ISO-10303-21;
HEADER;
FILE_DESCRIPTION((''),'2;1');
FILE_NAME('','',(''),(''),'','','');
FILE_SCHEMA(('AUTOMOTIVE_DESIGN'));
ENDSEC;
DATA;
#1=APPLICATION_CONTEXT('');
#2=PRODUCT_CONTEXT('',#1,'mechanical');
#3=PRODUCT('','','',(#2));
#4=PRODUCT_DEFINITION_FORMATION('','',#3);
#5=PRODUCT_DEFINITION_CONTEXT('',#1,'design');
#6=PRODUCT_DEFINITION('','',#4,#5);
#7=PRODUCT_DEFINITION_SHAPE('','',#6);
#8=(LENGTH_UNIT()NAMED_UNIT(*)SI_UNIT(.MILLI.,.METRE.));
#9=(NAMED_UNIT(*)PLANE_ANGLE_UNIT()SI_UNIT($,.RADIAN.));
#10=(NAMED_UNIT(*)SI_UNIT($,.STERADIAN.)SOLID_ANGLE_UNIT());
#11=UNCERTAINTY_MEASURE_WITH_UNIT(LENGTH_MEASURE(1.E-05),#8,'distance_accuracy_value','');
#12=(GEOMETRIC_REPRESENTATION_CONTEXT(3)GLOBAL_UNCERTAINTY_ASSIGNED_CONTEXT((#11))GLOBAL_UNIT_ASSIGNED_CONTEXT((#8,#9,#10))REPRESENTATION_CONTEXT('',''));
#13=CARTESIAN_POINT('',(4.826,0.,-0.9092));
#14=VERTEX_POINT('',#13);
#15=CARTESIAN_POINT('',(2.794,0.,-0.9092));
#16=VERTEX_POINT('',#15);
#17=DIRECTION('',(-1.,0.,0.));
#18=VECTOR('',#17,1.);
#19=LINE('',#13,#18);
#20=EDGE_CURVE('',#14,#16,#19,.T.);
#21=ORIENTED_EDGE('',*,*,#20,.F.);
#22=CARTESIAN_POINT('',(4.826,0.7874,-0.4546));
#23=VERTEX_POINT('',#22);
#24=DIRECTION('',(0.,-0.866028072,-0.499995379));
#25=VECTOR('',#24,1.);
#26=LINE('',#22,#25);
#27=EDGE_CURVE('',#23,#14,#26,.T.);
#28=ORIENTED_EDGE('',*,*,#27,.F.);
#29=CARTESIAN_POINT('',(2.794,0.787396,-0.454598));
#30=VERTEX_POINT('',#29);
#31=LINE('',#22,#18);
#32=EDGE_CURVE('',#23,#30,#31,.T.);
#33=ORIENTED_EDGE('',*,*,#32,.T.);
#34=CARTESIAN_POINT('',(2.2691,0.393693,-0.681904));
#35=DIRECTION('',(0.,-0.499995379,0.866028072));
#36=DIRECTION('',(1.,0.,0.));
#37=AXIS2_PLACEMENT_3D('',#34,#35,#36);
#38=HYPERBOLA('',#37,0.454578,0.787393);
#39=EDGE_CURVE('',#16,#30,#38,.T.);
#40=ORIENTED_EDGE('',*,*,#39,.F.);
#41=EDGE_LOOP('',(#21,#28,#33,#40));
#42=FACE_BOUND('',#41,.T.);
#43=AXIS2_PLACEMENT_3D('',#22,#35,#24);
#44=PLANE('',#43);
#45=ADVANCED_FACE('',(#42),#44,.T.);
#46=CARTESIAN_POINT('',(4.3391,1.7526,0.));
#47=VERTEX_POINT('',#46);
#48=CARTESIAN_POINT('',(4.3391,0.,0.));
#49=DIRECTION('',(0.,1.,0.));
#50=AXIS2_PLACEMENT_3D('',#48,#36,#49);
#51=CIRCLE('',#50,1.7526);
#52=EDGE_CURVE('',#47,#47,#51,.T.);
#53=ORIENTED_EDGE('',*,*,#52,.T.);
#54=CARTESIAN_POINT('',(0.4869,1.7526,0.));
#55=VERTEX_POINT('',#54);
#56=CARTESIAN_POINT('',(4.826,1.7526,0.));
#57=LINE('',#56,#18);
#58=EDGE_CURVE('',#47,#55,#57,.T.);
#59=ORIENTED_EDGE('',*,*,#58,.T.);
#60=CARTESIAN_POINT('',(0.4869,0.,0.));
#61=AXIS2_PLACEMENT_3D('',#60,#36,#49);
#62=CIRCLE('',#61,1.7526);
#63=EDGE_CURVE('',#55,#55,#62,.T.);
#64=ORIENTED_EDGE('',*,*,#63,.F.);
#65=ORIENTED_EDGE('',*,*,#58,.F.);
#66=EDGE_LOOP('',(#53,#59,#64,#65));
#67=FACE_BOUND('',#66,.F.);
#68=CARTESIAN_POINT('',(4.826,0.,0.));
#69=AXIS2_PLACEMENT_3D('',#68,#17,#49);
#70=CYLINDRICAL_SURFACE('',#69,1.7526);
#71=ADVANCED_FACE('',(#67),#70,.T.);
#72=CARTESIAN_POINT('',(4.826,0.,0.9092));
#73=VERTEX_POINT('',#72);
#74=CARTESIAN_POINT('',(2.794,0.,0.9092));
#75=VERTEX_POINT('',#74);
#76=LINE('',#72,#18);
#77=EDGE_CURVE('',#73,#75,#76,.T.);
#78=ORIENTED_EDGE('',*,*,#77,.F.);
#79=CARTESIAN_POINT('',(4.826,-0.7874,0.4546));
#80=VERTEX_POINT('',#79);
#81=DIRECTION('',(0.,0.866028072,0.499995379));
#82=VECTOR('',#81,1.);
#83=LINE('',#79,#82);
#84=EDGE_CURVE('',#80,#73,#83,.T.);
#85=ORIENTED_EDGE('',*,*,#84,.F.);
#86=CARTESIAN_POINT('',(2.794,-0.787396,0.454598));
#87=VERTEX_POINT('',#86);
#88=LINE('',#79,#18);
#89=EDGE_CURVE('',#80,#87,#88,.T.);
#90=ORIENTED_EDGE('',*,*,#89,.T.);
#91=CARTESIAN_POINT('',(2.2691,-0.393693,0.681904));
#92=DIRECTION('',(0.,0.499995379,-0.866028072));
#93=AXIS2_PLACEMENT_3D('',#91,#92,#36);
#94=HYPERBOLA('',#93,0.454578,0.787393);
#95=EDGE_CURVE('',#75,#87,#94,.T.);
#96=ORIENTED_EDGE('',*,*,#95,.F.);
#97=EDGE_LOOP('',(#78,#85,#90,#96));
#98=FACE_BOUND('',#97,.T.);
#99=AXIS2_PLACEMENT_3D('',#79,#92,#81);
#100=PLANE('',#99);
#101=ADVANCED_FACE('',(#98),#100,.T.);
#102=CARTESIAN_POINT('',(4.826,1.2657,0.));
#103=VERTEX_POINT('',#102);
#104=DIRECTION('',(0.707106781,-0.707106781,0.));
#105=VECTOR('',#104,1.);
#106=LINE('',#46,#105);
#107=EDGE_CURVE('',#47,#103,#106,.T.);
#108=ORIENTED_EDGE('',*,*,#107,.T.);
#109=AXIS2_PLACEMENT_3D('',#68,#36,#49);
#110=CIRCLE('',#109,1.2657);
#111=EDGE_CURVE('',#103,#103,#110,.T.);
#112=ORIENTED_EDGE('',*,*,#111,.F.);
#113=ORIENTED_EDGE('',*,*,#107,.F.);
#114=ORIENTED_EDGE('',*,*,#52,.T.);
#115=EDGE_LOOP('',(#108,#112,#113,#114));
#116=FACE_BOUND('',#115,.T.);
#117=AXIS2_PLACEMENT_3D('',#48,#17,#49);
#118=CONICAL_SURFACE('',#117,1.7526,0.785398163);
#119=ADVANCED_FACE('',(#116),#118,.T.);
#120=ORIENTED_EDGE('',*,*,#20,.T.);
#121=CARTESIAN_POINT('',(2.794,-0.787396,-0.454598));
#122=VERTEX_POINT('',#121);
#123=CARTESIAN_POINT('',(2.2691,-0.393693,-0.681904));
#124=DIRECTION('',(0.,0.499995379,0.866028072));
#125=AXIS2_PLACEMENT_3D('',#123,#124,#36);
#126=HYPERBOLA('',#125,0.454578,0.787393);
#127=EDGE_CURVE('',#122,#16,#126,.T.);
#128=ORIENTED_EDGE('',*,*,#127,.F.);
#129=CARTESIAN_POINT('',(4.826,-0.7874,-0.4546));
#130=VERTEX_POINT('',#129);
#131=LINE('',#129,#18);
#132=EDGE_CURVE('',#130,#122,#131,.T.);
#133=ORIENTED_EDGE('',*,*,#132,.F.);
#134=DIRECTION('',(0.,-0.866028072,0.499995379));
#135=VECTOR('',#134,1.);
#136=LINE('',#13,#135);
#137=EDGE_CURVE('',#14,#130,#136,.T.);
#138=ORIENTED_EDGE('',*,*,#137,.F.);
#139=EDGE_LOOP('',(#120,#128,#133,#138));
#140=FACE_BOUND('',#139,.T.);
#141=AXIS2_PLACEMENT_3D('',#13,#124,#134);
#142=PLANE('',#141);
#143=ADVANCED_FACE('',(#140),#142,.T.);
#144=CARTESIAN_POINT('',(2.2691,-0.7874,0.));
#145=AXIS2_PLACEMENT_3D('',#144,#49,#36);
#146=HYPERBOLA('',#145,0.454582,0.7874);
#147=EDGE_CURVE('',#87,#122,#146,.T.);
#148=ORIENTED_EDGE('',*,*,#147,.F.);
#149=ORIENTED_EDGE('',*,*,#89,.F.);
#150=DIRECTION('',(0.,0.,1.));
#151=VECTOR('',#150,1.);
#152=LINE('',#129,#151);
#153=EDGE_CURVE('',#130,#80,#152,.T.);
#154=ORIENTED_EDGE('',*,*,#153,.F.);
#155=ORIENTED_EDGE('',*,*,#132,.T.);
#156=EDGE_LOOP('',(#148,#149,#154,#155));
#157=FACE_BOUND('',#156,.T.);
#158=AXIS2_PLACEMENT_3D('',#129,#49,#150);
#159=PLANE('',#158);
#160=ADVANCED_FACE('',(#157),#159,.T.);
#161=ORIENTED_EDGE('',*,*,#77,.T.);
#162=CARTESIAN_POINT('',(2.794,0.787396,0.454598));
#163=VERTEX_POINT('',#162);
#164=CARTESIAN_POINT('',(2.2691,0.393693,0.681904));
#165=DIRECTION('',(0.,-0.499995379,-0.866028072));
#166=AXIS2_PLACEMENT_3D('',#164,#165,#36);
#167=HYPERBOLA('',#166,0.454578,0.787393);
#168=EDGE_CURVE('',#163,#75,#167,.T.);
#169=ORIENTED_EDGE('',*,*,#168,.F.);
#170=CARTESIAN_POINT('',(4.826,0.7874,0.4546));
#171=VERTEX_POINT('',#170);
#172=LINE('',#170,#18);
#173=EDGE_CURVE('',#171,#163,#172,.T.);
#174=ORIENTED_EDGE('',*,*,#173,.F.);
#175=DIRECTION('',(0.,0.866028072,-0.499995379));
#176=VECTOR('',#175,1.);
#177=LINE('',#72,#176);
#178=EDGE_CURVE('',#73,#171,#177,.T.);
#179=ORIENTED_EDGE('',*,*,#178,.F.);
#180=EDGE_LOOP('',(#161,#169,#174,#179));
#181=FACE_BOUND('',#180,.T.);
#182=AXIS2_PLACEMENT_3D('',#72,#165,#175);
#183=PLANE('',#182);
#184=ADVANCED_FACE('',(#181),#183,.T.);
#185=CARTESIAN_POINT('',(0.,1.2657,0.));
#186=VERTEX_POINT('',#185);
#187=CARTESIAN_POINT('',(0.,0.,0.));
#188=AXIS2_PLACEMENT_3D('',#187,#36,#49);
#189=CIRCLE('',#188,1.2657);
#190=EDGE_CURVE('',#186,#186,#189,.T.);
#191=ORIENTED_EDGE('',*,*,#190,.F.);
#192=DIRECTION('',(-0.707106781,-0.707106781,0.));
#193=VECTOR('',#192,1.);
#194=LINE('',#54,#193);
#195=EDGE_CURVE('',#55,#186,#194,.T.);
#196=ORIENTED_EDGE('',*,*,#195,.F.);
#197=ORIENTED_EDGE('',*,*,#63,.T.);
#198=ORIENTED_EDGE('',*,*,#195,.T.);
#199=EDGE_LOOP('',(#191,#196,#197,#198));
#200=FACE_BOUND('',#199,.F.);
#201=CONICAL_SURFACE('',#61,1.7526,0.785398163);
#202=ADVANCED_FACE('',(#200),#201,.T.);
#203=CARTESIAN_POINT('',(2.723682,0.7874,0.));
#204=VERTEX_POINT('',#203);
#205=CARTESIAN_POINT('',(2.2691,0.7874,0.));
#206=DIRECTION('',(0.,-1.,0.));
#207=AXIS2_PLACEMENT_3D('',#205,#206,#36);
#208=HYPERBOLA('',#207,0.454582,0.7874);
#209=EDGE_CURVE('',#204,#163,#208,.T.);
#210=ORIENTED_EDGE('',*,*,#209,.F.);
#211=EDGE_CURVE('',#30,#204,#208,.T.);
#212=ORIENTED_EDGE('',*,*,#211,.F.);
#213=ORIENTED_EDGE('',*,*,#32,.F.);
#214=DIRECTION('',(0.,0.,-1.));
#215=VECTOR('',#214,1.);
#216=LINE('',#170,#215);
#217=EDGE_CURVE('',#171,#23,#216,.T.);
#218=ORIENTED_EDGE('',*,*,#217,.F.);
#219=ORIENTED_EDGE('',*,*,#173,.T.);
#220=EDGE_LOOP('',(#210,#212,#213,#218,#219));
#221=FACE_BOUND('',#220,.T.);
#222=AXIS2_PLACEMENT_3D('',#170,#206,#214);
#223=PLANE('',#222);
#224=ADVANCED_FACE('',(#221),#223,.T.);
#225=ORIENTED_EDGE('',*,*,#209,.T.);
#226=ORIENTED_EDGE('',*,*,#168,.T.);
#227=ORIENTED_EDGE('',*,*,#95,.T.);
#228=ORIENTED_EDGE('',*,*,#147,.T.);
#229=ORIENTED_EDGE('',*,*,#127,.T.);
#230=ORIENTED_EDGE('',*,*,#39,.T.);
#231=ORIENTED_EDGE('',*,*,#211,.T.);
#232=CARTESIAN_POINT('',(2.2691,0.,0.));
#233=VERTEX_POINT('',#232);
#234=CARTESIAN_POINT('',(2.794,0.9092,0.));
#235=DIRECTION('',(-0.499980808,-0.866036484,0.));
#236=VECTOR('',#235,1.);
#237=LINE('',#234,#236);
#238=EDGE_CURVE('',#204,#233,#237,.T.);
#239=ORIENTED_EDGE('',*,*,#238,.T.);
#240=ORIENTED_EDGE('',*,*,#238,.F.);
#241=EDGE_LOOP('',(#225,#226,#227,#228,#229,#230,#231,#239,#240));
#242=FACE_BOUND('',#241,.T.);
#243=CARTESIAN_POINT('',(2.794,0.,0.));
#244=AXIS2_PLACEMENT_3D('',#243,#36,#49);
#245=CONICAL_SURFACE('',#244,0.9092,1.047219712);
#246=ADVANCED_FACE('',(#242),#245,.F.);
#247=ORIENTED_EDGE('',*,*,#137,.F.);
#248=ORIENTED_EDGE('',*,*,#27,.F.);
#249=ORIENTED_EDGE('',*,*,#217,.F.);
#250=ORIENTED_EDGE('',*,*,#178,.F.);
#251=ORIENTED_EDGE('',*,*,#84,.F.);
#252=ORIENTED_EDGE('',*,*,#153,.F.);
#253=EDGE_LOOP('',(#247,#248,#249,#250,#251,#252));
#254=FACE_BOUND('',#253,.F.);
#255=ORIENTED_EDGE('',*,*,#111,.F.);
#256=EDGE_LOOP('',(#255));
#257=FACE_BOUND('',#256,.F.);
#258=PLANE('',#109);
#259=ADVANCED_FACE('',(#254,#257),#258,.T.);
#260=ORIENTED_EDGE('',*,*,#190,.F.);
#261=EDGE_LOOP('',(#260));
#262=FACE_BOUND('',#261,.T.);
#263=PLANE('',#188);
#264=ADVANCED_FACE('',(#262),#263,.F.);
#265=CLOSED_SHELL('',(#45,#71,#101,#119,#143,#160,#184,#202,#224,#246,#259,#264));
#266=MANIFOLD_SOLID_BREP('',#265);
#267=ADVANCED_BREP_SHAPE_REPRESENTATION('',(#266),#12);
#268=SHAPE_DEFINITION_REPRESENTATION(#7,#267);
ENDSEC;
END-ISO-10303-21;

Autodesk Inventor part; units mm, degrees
ref_plane "YZ Plane" through (0, 0, 0) normal (1, 0, 0) x (0, 1, 0)
ref_plane "XZ Plane" through (0, 0, 0) normal (0, 1, 0) x (-1, 0, 0)
sketch "Sketch1" plane through (0, 0, 0) normal (0, 0, 1) x (1, 0, 0)
  line L0 (0, 0) -> (2.2691, 0)
  line L1 (4.826, 0.9092) -> (4.826, 1.7526)
  line L2 (4.826, 1.7526) -> (0, 1.7526)
  line L3 (4.826, 0.9092) -> (2.794, 0.9092)
  line L4 (2.794, 0.9092) -> (2.2691, 0)
  line L5 (0, -0.3505) -> (0, 2.1031) projected
  line L6 (0, 1.7526) -> (0, 0)
  dimension "d0" = 2.032
  dimension "d1" = 60
  dimension "d2" = 3.5052
  dimension "d3" = 1.8184
  dimension "d5" = 4.826
revolve "Body" add sketch "Sketch1" angle 360 about axis through (0, 0, 0) along (1, 0, 0)
chamfer "Chamfer1" distance 0.4869 angle 45 1 edges at (4.826, -1.7526, 0) measured on face at (4.826, 1.4545, -0.1398)
sketch "Sketch2" plane through (4.826, 0, 0) normal (1, 0, 0) x (0, 0, -1)
  circle A0 centre (0, 0) radius 0.9092 projected
  line L0 (-0.4546, 0.7874) -> (0.4546, 0.7874)
  line L1 (0.4546, 0.7874) -> (0.9092, 0)
  line L2 (0.9092, 0) -> (0.4546, -0.7874)
  line L3 (0.4546, -0.7874) -> (-0.4546, -0.7874)
  line L4 (-0.4546, -0.7874) -> (-0.9092, 0)
  line L5 (-0.9092, 0) -> (-0.4546, 0.7874)
  point P0 (0, 0)
  point P1 (0, 0)
extrude "Slot" add sketch "Sketch2" against normal up to next contours L1 A0 | A0 L2 | L0 A0 | A0 L3 | L5 A0 | A0 L4
thread "Thread" size "6-32 UNC" class "2A" standard "ANSI Unified Screw Threads" length 4.826
chamfer "Chamfer2" distance 0.4869 angle 45 1 edges at (0, -1.7526, 0) measured on face at (1.4464, 1.7469, -0.141)
ref_plane "Work Plane1" through (2.413, 0, 0) normal (0, 0.5, 0.866) x (1, 0, 0)
equation "\"d7\" = -0.5 * GD1 + 0.5 * NND"
equation "\"d8\" = FAWI"
equation "\"d29\" = -0.5 * GD1 + 0.5 * NND"
equation "\"d11\" = NLG"
equation "\"d13\" = -0.5 * GD1 + 0.5 * NND"
equation "\"d14\" = FAWI"
equation "\"d30\" = -0.5 * GD1 + 0.5 * NND"
equation "\"d0\" = INTI"
equation "\"d2\" = NND"
equation "\"d3\" = 1.1547 * SW"
equation "\"d5\" = NLG"
equation "\"NND\" = 3.5052"
equation "\"NLG\" = 4.826"
equation "\"INTI\" = 2.032"
equation "\"FAWI\" = 45deg"
equation "\"SW\" = 1.5748"
equation "\"GD1\" = 2.53137"
equation "\"FAWI1\" = FAWI"
equation "\"SPD\" = 1.8796"
equation "\"SEWI\" = 90deg"
equation "\"TOA\" = 30deg"
equation "\"ZLG\" = 0.9652"
equation "\"ZD\" = 2.3368"
equation "\"HHPTC\" = 0.79375"
equation "\"THREADDIA\" = 3.5052"
equation "\"OPR\" = 2.6416"
equation "\"E0\" = 1.155 * SW"
properties part number "ANSI B18.3 - 6-32 UNC x 0.19" material "Steel, Mild"
